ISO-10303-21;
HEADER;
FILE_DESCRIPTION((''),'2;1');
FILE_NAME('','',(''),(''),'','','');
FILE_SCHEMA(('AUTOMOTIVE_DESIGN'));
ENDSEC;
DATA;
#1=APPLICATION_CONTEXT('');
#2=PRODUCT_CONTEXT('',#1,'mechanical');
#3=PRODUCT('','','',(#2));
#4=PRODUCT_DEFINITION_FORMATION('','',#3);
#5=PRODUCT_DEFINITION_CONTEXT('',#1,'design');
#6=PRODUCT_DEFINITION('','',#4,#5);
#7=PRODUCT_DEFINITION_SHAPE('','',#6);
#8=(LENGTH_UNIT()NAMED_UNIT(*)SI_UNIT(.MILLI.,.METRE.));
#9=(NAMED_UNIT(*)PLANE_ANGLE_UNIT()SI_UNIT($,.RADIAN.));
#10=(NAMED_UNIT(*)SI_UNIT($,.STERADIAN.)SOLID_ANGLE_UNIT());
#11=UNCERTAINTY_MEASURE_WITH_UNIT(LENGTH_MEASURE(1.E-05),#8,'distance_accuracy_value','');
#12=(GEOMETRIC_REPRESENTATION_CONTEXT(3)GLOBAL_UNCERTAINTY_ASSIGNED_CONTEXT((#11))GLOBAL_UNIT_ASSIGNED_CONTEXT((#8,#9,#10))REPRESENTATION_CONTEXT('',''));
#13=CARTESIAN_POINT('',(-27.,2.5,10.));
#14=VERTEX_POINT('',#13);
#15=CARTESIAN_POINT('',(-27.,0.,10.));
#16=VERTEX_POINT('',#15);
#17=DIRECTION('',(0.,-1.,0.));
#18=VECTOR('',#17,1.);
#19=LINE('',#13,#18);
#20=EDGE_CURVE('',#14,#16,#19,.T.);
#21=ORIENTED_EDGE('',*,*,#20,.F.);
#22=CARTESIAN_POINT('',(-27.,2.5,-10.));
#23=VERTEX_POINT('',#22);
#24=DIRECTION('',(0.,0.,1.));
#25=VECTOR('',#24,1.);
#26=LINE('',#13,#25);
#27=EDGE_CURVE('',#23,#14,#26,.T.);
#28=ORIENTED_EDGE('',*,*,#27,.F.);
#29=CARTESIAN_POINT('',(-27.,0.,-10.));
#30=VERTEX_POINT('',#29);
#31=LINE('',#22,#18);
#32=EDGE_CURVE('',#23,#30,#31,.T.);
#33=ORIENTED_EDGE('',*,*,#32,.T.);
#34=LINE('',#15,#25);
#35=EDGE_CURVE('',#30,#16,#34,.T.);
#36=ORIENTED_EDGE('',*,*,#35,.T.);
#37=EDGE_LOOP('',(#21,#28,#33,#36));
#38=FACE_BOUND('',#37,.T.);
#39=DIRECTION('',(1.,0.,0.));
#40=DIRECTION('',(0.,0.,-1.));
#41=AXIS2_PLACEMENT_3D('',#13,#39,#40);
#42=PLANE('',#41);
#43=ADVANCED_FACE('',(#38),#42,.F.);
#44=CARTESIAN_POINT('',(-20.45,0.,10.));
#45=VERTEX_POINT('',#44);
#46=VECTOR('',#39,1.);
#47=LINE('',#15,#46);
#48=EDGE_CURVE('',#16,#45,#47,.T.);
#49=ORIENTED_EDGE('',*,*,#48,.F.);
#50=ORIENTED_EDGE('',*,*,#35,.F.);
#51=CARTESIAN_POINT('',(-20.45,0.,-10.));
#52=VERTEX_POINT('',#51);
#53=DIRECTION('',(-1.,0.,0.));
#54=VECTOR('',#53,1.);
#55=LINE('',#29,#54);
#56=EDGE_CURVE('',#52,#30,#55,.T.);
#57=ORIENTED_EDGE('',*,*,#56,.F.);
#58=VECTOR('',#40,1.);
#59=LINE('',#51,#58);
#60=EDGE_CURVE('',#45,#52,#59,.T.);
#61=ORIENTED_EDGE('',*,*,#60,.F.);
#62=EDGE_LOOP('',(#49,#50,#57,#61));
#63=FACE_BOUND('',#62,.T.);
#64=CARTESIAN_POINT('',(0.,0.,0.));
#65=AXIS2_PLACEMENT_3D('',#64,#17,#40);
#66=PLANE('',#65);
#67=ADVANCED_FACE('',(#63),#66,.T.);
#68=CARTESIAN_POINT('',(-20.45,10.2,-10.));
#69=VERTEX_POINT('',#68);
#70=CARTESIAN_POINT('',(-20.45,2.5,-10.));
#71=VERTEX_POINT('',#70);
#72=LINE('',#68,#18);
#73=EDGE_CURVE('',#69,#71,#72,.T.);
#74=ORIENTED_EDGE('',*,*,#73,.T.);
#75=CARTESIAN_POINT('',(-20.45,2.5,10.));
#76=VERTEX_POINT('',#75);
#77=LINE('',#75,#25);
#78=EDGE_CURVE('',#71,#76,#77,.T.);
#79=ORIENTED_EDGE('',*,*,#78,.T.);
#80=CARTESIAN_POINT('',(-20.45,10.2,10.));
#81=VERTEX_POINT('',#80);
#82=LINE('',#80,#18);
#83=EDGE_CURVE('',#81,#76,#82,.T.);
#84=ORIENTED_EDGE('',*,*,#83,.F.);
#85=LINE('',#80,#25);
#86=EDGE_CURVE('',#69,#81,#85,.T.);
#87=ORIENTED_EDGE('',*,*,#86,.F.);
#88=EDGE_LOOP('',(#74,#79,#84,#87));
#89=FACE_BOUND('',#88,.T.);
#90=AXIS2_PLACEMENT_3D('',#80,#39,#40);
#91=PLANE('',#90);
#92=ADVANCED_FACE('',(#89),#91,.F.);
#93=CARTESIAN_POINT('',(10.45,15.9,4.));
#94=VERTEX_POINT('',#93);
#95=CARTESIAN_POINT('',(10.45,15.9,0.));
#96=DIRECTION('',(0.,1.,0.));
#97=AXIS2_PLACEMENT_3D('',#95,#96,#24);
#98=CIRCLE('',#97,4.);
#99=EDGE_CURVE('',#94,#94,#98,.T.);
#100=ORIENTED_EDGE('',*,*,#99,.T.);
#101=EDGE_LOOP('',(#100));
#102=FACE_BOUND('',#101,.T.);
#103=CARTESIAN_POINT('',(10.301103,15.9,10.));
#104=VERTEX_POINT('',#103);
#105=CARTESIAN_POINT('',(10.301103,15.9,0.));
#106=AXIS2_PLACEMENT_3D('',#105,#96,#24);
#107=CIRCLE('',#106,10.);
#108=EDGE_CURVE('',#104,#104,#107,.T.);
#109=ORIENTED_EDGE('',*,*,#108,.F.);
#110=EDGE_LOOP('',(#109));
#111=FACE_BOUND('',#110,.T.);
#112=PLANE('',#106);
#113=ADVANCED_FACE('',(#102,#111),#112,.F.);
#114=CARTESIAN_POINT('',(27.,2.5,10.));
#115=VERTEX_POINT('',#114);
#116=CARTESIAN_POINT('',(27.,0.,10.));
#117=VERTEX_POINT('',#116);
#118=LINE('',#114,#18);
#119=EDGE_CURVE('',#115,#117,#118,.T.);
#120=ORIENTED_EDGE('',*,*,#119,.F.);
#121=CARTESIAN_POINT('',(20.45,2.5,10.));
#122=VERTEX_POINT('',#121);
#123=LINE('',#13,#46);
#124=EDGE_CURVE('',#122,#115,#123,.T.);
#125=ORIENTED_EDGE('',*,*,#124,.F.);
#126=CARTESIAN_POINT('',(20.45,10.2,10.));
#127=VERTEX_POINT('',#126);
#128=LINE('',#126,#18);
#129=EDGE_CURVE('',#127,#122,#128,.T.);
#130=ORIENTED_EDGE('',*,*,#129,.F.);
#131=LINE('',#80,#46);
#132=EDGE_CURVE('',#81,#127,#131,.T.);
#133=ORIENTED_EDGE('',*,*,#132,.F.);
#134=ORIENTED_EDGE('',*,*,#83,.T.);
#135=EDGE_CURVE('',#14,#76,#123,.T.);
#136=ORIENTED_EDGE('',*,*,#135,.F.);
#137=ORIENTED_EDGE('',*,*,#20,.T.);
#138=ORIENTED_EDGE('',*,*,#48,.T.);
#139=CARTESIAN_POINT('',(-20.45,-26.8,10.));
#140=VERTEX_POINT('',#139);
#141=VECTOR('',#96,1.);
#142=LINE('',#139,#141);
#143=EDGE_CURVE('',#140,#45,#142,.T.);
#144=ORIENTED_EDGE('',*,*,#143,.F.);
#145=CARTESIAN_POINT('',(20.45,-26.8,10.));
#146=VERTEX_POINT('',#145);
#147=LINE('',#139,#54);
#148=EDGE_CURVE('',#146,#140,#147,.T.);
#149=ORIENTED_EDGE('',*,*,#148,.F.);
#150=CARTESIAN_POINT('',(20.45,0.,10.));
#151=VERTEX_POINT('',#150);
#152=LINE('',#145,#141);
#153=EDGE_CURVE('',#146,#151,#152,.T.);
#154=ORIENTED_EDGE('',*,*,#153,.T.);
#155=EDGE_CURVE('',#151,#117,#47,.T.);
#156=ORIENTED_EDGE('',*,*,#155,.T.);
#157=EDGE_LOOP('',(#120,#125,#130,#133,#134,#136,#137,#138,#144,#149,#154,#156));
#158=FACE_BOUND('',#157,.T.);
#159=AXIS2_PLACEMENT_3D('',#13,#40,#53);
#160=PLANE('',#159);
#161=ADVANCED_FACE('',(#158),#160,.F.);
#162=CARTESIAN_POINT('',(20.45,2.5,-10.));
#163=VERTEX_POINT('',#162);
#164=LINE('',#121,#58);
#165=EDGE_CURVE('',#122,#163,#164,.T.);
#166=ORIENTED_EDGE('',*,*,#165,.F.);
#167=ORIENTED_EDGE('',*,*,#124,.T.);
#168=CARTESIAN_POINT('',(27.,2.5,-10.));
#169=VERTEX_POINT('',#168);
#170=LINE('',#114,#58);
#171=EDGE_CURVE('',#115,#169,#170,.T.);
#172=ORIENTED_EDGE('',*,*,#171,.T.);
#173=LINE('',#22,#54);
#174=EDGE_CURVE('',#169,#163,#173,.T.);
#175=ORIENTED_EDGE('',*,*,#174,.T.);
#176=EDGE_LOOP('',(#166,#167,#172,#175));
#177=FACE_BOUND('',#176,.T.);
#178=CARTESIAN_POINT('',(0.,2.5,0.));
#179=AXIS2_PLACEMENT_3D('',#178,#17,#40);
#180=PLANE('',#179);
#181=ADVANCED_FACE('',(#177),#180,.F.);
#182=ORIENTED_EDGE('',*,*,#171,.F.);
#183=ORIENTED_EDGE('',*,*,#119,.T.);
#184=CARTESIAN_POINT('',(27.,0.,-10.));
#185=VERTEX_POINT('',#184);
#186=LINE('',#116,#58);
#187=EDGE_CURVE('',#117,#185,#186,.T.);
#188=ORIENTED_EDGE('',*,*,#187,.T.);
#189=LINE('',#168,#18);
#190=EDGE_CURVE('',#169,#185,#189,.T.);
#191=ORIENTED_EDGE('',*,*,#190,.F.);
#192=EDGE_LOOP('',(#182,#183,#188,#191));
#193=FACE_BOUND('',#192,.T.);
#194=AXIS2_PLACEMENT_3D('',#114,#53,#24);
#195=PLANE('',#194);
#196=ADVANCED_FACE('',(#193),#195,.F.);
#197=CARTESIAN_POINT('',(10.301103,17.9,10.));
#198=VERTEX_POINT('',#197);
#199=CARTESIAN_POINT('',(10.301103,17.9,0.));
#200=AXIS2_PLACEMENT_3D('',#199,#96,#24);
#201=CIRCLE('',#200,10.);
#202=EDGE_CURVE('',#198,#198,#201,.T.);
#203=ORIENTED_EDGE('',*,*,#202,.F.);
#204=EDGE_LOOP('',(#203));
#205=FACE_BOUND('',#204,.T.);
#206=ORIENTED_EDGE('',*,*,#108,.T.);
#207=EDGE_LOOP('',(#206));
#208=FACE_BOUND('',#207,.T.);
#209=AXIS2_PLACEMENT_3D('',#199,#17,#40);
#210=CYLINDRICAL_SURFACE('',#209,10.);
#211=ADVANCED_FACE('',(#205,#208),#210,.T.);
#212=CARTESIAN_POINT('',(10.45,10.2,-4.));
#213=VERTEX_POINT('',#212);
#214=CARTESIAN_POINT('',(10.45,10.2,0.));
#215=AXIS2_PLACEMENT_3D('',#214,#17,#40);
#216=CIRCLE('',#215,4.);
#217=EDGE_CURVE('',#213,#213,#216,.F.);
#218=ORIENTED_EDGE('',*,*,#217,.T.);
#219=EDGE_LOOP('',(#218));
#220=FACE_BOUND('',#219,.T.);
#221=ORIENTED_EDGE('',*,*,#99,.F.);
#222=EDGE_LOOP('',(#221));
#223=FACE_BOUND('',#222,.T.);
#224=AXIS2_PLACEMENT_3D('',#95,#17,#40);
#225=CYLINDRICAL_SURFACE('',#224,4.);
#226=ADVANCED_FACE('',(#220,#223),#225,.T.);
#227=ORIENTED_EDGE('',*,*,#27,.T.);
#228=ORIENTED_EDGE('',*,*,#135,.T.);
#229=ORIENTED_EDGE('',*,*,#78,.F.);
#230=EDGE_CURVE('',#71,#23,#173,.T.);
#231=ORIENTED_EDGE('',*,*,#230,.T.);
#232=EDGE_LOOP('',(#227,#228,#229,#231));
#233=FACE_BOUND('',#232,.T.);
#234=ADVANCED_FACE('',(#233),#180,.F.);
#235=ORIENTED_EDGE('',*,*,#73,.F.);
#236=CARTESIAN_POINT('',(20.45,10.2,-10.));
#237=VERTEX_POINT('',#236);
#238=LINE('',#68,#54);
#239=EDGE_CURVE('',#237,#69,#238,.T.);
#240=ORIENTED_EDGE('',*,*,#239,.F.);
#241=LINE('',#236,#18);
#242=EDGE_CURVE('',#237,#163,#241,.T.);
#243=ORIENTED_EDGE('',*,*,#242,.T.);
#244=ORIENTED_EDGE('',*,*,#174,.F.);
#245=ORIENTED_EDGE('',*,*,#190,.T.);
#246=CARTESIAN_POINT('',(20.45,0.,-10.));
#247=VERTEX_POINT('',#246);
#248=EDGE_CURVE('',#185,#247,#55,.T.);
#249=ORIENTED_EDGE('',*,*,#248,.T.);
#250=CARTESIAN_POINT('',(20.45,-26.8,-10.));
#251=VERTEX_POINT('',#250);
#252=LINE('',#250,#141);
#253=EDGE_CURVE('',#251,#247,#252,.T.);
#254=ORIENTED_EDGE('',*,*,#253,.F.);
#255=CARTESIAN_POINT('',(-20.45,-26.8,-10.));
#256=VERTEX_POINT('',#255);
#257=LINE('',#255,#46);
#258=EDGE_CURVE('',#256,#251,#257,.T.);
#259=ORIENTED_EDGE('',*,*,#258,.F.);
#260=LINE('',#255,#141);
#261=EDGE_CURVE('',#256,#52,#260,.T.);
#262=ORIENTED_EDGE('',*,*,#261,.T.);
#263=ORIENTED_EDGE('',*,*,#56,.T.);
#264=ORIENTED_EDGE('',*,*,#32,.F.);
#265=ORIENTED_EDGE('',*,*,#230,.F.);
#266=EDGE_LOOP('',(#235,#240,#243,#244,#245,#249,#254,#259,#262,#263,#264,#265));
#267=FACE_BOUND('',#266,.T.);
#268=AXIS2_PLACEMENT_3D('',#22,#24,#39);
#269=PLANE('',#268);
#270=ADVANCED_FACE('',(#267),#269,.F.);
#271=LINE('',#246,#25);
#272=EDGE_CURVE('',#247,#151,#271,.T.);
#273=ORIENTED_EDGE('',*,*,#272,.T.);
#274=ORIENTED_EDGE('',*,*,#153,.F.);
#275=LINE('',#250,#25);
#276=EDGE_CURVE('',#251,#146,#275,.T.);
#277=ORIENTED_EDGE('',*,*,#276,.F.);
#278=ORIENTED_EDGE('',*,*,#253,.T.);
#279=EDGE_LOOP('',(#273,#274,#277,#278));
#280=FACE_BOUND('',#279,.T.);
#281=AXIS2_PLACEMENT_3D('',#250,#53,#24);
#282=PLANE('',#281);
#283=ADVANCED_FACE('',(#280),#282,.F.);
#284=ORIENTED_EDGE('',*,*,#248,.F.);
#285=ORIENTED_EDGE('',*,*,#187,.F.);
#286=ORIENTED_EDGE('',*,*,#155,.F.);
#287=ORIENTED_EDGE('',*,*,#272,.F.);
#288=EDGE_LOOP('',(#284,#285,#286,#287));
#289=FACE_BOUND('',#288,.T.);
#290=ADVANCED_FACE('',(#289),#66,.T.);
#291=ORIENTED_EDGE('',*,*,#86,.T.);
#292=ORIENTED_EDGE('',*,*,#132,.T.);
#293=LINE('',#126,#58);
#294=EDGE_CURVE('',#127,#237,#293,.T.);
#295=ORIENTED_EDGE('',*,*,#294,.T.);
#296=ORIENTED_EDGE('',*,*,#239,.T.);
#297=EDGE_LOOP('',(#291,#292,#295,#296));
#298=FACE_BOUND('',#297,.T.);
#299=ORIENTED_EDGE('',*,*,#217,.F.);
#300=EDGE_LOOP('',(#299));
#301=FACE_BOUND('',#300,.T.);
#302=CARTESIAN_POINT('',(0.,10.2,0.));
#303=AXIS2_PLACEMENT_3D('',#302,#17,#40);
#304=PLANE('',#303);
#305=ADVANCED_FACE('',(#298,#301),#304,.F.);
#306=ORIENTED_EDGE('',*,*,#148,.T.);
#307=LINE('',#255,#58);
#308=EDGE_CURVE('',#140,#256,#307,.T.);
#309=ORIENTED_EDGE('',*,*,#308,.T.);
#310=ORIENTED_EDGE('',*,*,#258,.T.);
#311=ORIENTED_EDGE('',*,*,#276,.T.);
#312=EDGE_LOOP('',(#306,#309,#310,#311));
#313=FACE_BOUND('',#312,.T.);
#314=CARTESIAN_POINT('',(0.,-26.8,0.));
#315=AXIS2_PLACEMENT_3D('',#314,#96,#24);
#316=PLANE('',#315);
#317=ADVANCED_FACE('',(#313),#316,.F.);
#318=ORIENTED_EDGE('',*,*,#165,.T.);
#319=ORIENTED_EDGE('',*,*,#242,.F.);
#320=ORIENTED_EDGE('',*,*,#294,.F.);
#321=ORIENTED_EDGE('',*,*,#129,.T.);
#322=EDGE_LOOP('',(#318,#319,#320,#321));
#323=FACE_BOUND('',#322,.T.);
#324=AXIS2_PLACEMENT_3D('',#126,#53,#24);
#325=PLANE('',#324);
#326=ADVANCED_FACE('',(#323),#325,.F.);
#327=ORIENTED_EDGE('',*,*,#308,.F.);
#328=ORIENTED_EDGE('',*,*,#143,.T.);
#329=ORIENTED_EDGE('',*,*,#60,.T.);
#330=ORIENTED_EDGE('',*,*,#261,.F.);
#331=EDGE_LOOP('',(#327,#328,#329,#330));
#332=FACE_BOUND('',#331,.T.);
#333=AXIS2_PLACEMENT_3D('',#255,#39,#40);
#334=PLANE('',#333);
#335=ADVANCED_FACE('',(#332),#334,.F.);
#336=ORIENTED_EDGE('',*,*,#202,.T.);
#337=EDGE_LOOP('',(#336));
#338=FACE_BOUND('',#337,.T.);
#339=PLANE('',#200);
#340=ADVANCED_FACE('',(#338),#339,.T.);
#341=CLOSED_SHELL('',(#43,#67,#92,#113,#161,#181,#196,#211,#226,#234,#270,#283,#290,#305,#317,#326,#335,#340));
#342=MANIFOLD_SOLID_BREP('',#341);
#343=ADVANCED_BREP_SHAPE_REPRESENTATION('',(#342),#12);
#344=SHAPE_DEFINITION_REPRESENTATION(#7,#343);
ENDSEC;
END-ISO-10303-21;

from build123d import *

# Parameters (mm, degrees)
SKETCH2_W           = 54
SKETCH2_H           = 20
BOSS_EXTRUDE1_DEPTH = 2.5
SKETCH4_W           = 40.9
SKETCH4_H           = 20
BOSS_EXTRUDE2_DEPTH = 26.8
SKETCH5_W           = 40.9
SKETCH5_H           = 20
BOSS_EXTRUDE3_DEPTH = 7.7
SKETCH6_R           = 4
BOSS_EXTRUDE4_DEPTH = 5.7
SKETCH7_R           = 10
BOSS_EXTRUDE5_DEPTH = 2


with BuildPart() as part:
    # Sketch2 → Boss-Extrude1 (new body)
    with BuildSketch(Plane(origin=(0, 0, 0), x_dir=(1, 0, 0), z_dir=(0, 1, 0))):
        Rectangle(SKETCH2_W, SKETCH2_H)
    extrude(amount=BOSS_EXTRUDE1_DEPTH)

    # Sketch4 → Boss-Extrude2 (add)
    with BuildSketch(Plane.XZ):
        Rectangle(SKETCH4_W, SKETCH4_H)
    extrude(amount=BOSS_EXTRUDE2_DEPTH)

    # Sketch5 → Boss-Extrude3 (add)
    with BuildSketch(Plane(origin=(0, 2.5, 0), x_dir=(1, 0, 0), z_dir=(0, 1, 0))):
        Rectangle(SKETCH5_W, SKETCH5_H)
    extrude(amount=BOSS_EXTRUDE3_DEPTH)

    # Sketch6 → Boss-Extrude4 (add)
    with BuildSketch(Plane(origin=(0, 10.2, 0), x_dir=(1, 0, 0), z_dir=(0, 1, 0))):
        with Locations(Location((10.45, 0, 0), (0, 0, 90))):
            Circle(SKETCH6_R)
    extrude(amount=BOSS_EXTRUDE4_DEPTH)

    # Sketch7 → Boss-Extrude5 (add)
    with BuildSketch(Plane(origin=(0, 15.9, 0), x_dir=(1, 0, 0), z_dir=(0, 1, 0))):
        with Locations(Location((10.301103248, 0, 0), (0, 0, 270))):
            Circle(SKETCH7_R)
    extrude(amount=BOSS_EXTRUDE5_DEPTH)


solid = part.part
